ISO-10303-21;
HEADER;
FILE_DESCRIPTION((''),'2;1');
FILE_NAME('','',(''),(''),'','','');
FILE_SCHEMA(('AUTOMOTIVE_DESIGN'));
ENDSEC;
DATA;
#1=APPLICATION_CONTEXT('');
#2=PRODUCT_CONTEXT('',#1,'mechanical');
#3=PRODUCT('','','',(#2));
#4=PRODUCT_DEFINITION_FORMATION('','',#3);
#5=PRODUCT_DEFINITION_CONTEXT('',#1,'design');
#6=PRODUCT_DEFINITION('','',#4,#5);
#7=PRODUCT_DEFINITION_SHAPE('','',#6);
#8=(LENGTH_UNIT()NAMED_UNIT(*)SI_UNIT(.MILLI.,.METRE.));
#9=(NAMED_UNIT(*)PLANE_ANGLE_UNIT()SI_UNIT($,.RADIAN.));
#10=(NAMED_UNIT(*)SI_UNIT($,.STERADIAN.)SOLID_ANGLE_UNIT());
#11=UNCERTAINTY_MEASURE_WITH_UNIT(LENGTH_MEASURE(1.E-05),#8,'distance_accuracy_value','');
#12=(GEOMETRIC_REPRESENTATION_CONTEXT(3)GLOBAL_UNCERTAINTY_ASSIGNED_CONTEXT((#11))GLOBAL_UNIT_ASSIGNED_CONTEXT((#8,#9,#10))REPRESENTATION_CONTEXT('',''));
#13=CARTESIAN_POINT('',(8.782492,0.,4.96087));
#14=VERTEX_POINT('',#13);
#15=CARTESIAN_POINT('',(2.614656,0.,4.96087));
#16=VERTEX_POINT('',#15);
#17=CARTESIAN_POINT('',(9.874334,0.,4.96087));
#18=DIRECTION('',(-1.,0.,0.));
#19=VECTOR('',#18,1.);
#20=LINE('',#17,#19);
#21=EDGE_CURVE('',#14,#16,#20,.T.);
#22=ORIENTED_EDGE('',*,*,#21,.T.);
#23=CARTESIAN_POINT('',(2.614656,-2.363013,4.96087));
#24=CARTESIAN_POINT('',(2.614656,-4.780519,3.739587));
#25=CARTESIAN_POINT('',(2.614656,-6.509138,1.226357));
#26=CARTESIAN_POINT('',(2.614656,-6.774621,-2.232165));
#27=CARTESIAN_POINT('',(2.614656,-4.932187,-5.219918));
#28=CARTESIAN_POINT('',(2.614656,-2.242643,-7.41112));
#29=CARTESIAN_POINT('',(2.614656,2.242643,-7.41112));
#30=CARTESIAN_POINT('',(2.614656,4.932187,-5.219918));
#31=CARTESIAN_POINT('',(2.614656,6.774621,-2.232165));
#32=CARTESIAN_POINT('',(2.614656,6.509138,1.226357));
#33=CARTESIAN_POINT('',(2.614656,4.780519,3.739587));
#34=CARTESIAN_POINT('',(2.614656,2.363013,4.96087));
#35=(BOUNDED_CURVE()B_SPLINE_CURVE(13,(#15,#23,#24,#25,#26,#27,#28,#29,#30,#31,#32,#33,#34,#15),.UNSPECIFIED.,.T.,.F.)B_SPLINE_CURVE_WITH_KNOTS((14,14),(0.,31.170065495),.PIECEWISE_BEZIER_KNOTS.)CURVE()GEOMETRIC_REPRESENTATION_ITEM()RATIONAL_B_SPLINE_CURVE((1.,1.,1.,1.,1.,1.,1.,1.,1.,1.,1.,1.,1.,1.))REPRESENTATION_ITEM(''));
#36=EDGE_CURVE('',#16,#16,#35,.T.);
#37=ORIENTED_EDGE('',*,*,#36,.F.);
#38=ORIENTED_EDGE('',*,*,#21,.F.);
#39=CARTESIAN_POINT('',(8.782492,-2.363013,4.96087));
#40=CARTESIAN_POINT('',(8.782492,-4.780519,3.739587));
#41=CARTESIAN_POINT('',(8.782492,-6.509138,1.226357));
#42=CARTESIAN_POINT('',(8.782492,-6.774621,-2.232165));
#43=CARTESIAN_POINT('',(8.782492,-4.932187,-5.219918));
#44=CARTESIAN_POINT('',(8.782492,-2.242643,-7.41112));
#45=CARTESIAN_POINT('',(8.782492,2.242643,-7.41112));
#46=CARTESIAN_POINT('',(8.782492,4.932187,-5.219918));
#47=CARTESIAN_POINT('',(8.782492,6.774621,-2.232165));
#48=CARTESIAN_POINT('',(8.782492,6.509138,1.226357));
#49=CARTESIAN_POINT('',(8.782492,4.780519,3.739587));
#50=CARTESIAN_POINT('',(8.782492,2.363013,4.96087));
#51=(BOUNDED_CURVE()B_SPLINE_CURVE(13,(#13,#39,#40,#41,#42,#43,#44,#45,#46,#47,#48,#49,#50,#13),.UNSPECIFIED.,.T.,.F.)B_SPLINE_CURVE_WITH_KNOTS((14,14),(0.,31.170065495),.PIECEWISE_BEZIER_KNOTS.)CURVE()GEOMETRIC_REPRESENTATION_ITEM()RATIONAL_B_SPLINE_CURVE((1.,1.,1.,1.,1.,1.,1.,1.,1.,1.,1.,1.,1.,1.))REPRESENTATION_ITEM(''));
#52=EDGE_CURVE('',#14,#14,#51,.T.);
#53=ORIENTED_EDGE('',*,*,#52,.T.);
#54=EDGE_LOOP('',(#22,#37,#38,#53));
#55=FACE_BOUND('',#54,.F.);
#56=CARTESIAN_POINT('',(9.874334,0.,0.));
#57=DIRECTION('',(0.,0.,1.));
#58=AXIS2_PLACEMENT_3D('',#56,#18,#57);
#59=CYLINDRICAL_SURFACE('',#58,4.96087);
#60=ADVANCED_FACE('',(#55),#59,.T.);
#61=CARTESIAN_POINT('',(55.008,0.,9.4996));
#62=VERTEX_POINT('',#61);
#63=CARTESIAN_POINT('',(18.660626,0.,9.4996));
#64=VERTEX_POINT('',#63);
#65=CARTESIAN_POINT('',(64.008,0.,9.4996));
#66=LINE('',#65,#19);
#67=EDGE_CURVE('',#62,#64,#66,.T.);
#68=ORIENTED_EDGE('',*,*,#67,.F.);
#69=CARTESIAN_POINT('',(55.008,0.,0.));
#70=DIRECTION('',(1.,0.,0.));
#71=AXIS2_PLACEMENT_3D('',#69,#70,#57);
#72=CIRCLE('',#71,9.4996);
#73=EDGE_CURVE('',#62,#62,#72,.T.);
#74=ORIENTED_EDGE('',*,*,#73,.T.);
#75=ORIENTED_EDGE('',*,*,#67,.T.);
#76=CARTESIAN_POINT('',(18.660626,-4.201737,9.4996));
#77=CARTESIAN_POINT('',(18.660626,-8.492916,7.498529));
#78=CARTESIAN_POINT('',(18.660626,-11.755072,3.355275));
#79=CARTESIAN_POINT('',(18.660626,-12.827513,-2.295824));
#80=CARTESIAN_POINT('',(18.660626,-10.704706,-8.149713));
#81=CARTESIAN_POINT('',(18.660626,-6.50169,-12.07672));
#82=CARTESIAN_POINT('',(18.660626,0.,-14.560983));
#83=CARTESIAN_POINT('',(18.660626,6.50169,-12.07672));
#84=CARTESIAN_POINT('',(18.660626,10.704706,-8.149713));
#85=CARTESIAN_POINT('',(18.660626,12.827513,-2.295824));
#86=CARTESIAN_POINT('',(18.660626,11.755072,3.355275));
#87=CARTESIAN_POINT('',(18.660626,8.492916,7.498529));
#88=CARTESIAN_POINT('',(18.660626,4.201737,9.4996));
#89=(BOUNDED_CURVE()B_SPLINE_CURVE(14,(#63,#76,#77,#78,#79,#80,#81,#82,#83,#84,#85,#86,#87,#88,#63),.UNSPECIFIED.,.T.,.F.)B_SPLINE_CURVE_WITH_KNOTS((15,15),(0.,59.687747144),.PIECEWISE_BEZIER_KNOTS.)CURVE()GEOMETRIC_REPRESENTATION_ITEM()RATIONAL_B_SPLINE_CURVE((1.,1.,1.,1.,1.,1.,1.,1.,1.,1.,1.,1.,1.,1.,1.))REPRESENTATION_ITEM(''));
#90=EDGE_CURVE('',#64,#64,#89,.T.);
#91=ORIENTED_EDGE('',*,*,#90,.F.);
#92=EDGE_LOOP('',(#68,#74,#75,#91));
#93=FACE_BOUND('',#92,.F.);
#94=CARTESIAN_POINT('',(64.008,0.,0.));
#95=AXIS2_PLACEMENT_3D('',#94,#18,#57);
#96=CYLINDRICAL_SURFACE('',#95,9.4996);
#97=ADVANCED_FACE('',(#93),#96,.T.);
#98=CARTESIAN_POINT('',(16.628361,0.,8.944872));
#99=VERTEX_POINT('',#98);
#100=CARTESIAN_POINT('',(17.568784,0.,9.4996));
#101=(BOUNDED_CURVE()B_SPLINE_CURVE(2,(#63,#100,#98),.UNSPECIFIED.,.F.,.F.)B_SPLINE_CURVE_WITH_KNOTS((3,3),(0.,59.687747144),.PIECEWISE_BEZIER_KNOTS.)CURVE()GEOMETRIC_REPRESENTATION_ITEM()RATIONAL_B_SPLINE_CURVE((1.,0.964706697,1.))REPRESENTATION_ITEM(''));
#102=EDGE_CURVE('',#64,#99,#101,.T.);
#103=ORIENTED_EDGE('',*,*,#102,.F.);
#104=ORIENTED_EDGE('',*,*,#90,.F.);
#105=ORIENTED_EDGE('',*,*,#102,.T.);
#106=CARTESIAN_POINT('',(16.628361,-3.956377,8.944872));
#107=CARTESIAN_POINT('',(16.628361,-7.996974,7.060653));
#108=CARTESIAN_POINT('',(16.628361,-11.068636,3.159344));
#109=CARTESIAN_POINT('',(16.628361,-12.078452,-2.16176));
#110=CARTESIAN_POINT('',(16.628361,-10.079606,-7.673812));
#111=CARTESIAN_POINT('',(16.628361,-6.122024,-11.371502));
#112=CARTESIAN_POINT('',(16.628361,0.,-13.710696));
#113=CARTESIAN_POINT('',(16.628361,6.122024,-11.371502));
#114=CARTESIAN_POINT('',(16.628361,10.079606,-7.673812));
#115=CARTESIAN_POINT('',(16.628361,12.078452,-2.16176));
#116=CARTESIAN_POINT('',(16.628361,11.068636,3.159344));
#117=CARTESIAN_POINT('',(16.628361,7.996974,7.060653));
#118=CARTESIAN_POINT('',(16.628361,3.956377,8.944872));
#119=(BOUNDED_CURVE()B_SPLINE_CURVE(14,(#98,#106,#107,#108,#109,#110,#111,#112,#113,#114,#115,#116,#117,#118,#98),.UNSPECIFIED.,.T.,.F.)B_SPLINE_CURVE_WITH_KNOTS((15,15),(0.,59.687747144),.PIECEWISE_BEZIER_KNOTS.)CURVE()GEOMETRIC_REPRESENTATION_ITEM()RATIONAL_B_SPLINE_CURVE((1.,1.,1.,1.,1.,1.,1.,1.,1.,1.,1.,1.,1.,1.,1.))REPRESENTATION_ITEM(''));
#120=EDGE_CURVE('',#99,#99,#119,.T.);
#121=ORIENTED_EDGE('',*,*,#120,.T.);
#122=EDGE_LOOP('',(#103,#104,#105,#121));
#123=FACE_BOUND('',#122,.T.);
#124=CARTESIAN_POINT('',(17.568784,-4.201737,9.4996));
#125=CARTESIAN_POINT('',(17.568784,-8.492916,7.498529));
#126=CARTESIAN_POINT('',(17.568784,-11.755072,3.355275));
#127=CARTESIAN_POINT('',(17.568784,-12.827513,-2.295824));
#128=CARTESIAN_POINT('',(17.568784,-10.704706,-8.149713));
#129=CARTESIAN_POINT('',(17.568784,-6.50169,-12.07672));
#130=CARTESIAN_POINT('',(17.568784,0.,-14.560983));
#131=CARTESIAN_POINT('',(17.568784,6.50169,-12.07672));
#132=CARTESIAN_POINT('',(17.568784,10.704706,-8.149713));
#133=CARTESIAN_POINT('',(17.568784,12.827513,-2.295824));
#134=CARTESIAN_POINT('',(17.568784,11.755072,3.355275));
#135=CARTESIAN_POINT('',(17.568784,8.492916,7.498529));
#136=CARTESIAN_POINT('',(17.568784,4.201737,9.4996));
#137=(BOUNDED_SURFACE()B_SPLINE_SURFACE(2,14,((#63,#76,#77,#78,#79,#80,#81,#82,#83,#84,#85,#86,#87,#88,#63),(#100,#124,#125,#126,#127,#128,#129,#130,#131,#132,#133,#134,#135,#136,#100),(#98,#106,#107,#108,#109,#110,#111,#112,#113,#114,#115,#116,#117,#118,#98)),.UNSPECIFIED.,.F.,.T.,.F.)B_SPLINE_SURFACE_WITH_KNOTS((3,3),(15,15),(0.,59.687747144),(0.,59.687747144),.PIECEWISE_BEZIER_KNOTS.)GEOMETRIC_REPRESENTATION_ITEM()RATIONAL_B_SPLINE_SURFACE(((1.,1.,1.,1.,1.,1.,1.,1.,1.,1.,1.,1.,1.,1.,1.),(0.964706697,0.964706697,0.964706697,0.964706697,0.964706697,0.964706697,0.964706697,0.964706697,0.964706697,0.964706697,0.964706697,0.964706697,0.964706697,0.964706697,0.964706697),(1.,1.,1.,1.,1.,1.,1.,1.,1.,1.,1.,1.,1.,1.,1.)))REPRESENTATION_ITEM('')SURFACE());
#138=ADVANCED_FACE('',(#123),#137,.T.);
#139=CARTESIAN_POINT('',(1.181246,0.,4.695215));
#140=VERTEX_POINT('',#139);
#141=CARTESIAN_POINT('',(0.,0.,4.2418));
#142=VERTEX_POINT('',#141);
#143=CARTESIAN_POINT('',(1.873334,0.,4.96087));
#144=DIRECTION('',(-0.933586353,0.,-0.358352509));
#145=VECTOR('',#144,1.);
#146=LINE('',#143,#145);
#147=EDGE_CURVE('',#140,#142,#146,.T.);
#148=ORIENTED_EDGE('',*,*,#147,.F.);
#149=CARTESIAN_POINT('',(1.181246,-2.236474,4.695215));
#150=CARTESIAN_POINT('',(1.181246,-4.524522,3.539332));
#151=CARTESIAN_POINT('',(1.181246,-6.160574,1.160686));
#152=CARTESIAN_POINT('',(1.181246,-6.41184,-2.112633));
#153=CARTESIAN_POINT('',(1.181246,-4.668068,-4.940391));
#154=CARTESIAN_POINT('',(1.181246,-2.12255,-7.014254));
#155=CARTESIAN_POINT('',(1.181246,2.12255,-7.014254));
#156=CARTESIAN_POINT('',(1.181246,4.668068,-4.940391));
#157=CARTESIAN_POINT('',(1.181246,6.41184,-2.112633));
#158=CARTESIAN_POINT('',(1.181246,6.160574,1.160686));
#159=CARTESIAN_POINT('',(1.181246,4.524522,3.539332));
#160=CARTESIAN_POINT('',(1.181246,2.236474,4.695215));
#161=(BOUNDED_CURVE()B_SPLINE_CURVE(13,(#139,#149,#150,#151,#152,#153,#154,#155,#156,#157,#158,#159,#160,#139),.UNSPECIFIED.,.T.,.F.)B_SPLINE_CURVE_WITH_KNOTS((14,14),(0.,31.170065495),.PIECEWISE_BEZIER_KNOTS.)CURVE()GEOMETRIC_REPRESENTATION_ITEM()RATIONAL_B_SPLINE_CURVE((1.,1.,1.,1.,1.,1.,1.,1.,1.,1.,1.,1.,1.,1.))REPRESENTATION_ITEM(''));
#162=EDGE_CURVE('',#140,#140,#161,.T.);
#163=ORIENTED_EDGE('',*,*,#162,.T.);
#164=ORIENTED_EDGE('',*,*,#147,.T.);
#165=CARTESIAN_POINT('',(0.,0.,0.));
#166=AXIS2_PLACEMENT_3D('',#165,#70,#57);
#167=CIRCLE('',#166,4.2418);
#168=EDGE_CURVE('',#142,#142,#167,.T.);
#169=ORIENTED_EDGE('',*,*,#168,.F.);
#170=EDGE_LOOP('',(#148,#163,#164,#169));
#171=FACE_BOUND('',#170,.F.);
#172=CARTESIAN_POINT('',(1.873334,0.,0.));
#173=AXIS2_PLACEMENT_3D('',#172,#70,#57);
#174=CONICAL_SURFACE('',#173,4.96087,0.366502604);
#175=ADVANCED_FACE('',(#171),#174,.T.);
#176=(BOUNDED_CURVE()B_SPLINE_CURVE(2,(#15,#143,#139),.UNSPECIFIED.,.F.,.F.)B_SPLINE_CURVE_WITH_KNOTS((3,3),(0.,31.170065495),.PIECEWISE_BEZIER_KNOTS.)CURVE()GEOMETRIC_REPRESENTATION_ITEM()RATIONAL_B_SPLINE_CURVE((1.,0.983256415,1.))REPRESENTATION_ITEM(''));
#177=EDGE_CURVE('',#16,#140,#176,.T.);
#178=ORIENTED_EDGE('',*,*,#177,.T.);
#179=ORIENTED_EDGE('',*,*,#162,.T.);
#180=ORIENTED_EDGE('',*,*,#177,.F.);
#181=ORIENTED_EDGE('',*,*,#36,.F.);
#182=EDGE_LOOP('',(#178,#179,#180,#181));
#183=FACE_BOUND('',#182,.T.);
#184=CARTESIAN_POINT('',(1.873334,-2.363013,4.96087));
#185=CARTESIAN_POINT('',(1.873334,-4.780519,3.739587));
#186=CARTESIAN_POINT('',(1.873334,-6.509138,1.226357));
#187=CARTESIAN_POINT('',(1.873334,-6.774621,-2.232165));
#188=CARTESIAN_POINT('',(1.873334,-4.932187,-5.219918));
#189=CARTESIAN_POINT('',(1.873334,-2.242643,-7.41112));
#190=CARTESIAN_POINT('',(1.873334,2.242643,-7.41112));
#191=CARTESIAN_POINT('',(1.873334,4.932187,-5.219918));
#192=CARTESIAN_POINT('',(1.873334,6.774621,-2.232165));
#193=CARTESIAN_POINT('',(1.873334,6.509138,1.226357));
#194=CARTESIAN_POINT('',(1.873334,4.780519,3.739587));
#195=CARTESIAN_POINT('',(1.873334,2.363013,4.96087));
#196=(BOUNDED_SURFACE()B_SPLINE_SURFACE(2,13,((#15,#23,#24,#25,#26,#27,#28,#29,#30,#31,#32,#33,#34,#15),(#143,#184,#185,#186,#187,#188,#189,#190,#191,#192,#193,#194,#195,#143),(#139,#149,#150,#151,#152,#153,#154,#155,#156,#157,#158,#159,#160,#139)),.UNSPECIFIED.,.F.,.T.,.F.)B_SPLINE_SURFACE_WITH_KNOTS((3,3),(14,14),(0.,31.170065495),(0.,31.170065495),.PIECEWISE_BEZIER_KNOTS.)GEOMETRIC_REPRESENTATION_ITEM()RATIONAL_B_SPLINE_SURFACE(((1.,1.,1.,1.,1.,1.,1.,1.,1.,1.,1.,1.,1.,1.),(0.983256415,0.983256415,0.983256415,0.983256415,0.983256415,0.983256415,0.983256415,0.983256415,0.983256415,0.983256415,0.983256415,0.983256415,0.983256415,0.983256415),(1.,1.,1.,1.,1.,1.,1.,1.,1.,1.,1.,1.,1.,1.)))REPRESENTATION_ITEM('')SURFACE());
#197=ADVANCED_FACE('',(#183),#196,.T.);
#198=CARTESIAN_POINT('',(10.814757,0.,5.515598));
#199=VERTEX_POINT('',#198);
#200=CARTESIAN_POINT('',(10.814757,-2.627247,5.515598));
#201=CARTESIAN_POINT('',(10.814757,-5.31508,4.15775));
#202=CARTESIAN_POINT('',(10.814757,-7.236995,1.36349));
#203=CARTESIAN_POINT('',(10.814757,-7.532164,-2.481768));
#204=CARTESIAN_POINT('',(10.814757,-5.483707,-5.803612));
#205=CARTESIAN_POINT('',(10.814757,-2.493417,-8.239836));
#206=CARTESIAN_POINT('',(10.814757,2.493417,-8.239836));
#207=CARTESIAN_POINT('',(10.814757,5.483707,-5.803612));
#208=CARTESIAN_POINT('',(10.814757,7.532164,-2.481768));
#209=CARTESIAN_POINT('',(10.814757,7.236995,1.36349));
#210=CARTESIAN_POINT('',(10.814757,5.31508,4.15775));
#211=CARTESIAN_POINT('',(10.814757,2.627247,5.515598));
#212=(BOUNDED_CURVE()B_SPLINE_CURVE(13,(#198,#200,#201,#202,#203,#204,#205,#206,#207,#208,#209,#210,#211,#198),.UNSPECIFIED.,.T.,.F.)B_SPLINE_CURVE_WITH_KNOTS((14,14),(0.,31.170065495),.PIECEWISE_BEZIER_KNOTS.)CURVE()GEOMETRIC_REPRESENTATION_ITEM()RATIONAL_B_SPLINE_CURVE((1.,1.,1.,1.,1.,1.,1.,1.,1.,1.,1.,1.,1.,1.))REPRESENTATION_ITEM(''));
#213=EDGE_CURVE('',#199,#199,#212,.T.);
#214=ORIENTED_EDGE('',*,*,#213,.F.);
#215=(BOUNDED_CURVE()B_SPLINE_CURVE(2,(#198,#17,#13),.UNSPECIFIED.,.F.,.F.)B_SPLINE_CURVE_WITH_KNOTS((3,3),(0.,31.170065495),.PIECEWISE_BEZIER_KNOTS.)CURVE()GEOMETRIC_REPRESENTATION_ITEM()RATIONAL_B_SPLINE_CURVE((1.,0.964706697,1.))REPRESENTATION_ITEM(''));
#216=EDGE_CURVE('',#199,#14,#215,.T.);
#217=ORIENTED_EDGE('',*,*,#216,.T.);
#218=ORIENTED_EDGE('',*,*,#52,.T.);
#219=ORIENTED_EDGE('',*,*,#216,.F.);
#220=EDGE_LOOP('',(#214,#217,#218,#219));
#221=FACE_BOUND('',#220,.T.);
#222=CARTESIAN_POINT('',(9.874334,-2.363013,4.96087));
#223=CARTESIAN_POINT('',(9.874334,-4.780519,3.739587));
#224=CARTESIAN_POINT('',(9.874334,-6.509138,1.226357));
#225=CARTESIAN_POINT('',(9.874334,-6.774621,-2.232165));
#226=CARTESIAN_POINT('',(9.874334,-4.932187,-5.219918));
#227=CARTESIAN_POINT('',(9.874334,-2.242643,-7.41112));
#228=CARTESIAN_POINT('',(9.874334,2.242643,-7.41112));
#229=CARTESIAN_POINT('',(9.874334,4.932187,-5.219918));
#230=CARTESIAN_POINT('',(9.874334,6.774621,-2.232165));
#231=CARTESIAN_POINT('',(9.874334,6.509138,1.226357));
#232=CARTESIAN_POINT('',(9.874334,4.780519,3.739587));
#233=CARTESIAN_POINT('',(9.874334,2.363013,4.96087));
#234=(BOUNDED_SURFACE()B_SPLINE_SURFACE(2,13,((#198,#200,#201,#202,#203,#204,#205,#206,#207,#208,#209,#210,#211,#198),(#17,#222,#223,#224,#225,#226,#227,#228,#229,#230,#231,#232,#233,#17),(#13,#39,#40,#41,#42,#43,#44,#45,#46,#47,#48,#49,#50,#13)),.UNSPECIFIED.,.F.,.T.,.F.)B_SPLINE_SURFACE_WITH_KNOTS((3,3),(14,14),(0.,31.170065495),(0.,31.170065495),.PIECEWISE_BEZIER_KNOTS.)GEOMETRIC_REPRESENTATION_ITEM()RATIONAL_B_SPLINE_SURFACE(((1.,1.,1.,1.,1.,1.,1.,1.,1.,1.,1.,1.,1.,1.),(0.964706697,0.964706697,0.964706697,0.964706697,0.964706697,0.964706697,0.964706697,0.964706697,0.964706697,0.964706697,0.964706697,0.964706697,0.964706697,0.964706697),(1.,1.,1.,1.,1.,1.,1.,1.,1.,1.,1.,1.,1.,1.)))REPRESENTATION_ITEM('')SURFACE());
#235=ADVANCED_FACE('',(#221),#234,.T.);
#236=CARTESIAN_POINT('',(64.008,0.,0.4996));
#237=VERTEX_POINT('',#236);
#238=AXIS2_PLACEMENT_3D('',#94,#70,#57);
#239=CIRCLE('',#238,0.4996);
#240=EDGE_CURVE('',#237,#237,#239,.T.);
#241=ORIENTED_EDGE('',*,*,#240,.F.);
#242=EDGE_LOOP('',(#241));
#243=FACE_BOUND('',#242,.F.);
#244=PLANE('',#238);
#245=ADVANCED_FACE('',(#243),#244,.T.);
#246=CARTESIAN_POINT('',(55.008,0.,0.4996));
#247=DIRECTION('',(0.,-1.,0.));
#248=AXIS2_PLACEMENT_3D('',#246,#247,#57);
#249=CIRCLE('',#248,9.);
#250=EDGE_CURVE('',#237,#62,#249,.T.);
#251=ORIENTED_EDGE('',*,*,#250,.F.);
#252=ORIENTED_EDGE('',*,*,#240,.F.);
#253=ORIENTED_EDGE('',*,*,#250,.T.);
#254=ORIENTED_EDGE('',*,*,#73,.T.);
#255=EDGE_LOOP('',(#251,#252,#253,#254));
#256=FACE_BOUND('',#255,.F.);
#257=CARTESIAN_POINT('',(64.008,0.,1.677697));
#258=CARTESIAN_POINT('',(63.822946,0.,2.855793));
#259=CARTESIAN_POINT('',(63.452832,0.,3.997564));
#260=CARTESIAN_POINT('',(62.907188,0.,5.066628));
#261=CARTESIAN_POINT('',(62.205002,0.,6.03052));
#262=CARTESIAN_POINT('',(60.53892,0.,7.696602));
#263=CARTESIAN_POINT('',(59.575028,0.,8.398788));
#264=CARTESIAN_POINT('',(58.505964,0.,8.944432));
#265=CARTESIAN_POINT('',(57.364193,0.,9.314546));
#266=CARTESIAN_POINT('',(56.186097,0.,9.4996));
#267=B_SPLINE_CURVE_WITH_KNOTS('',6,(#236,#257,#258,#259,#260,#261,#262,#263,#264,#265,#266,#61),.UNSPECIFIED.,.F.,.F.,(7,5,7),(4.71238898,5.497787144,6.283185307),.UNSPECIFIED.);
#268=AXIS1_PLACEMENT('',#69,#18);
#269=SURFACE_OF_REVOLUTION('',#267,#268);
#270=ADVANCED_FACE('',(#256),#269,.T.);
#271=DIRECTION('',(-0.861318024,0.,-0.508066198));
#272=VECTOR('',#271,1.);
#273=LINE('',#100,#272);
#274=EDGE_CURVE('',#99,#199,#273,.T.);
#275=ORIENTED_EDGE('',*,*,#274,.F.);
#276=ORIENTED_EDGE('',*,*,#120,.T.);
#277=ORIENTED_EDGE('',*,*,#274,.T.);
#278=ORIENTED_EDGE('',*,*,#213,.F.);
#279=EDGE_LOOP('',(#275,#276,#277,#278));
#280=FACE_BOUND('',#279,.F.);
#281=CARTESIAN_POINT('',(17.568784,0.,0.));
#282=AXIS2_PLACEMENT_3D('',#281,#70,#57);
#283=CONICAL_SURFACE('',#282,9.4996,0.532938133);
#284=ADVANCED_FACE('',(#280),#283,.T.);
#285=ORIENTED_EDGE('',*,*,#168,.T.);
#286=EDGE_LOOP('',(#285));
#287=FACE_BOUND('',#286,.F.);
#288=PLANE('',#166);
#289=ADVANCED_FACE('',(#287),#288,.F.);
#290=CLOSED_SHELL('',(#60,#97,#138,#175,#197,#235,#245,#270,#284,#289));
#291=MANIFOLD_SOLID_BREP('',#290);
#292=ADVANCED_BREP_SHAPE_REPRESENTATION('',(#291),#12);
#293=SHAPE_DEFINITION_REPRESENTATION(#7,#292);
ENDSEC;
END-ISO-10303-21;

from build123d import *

# Parameters (mm, degrees)
F2_R = 9
F3_R = 4


with BuildPart() as f1:
    # F0 (on Front) → F1 (revolve)
    with BuildSketch(Plane.XZ):
        Polygon((0, 1.822479), (0, 0), (64.008, 0), (64.008, 9.4996), (57.568784, 9.4996), (17.568784, 9.4996), (9.874334, 4.96087), (1.873334, 4.96087), (0, 4.2418), align=None)
    revolve(axis=Axis((32.004, 0, 0), (1, 0, 0)))

    # F2
    f2_edges = [f1.edges().sort_by_distance(p)[0] for p in [
        (64.008, 0, -9.4996),
    ]]
    fillet(f2_edges, radius=F2_R)

    # F3
    f3_edges = [f1.edges().sort_by_distance(p)[0] for p in [
        (17.568784, 0, -9.4996),
        (9.874334, 0, -4.96087),
        (1.873334, 0, -4.96087),
    ]]
    fillet(f3_edges, radius=F3_R)


solid = f1.part
